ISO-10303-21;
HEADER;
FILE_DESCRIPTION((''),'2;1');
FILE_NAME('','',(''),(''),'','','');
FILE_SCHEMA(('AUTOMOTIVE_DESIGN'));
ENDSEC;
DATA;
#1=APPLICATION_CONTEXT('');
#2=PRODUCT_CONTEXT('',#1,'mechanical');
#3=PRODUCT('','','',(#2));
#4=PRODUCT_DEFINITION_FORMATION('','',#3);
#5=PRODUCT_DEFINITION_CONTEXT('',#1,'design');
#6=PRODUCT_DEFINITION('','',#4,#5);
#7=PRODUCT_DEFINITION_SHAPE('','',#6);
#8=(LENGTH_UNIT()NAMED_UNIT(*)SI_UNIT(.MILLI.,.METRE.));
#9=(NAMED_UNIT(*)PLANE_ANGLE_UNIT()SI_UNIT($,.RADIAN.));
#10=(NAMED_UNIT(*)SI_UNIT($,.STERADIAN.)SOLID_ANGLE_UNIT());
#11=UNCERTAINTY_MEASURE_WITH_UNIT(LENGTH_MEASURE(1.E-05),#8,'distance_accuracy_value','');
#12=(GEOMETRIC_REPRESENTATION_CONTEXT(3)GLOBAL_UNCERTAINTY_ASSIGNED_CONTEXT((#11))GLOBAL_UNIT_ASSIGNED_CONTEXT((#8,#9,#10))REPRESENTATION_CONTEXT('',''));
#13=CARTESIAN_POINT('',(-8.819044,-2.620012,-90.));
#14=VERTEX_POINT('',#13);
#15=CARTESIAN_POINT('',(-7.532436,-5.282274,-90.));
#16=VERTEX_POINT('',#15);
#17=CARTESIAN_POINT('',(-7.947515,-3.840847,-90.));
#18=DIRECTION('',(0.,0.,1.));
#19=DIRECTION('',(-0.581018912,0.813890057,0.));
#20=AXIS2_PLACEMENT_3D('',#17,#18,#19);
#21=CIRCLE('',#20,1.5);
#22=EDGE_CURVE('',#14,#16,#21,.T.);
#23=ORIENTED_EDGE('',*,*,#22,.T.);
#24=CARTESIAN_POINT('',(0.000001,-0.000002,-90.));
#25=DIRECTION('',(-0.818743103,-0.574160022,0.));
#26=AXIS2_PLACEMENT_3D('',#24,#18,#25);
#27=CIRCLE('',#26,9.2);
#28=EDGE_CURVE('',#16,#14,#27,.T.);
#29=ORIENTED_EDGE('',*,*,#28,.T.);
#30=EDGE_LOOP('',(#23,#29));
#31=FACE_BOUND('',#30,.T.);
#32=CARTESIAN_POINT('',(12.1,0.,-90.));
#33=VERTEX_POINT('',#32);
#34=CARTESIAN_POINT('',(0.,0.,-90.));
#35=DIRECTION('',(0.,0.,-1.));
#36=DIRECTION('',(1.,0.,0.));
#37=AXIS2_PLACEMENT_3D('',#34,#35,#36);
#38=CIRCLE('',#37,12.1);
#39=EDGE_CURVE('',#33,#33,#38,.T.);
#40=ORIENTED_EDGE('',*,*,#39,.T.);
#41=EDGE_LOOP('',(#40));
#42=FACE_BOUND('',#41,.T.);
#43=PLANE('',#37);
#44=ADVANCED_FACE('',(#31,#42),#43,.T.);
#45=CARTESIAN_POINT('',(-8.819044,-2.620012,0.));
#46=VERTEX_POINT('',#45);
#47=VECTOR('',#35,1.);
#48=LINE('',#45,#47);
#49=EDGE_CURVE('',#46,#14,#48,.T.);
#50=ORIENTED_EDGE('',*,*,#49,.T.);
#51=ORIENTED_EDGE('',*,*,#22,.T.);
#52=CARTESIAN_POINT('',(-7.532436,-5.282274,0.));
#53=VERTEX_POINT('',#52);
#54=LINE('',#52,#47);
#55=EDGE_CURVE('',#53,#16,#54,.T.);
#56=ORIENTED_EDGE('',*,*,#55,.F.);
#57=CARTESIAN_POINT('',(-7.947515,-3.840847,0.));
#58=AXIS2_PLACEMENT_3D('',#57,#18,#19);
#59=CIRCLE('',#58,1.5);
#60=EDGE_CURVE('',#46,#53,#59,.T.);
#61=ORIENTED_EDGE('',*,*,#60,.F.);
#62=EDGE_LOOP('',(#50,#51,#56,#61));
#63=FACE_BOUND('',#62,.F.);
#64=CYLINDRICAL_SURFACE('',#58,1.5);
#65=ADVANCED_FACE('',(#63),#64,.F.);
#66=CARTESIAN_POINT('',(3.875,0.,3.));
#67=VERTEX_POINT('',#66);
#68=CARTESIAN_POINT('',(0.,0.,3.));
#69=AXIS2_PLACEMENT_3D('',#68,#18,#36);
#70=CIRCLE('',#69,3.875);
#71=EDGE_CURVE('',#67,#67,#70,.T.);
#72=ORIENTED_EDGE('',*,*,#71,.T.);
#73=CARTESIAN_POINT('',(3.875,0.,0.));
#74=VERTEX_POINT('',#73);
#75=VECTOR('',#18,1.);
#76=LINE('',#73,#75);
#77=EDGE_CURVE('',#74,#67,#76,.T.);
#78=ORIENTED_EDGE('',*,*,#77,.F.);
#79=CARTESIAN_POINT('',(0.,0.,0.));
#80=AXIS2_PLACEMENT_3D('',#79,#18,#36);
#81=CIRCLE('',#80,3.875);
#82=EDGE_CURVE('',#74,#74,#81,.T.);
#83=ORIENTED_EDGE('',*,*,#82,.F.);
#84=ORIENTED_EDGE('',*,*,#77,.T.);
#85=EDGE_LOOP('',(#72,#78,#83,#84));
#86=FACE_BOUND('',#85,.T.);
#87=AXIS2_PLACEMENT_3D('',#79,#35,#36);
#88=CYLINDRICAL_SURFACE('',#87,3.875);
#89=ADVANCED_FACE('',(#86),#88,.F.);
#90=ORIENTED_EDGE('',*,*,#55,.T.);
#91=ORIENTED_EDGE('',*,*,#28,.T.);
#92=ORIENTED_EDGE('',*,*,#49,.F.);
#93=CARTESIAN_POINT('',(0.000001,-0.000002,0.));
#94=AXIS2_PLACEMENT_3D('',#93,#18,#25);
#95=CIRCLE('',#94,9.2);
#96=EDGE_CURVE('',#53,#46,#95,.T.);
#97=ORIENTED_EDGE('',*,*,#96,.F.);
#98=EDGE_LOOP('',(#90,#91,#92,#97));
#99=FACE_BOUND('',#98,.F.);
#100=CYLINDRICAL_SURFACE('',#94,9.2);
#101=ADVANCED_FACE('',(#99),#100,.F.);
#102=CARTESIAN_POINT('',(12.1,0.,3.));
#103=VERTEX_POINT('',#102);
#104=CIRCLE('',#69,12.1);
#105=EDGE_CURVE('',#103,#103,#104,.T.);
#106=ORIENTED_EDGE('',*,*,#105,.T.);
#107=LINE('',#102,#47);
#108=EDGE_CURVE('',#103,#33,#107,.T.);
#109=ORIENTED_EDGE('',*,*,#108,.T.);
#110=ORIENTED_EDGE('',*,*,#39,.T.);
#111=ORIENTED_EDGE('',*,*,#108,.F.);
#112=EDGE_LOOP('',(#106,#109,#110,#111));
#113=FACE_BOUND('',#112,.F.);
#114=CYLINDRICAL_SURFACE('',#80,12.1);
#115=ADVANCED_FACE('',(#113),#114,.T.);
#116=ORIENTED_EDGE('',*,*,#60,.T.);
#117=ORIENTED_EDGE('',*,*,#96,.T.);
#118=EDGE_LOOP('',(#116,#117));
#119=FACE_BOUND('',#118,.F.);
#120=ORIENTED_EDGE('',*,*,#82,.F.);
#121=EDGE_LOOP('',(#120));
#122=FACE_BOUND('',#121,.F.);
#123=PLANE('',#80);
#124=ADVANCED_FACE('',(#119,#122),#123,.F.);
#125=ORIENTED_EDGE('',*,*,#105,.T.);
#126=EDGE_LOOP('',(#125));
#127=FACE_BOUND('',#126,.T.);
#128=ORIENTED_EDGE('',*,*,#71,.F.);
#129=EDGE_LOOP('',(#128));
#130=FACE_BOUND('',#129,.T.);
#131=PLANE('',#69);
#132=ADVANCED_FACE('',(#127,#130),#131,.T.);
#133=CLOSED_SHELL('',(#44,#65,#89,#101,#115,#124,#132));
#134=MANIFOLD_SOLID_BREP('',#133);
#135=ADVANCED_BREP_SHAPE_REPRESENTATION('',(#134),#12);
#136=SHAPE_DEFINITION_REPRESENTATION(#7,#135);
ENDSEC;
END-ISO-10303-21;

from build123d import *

# Parameters (mm, degrees)
F0_R     = 12.1
F0_R_2   = 3.875
F1_DEPTH = 3
F2_R     = 12.1
F3_DEPTH = 90


with BuildPart() as f1:
    # F0 (on Top) → F1 (new body)
    with BuildSketch(Plane.XY):
        Circle(F0_R)
        Circle(F0_R_2, mode=Mode.SUBTRACT)
    extrude(amount=F1_DEPTH)

    # F2 (on face) → F3 (join)
    with BuildSketch(Plane(origin=(0, 0, 0), x_dir=(1, 0, 0), z_dir=(0, 0, -1))):
        Circle(F2_R)
        with BuildLine():
            ThreePointArc((-8.819044, 2.620012), (-9.298069, 4.493539), (-7.532436, 5.282274))
            ThreePointArc((-7.532436, 5.282274), (8.283395, -4.00317), (-8.819044, 2.620012))
        make_face(mode=Mode.SUBTRACT)
    extrude(amount=F3_DEPTH)


solid = f1.part
